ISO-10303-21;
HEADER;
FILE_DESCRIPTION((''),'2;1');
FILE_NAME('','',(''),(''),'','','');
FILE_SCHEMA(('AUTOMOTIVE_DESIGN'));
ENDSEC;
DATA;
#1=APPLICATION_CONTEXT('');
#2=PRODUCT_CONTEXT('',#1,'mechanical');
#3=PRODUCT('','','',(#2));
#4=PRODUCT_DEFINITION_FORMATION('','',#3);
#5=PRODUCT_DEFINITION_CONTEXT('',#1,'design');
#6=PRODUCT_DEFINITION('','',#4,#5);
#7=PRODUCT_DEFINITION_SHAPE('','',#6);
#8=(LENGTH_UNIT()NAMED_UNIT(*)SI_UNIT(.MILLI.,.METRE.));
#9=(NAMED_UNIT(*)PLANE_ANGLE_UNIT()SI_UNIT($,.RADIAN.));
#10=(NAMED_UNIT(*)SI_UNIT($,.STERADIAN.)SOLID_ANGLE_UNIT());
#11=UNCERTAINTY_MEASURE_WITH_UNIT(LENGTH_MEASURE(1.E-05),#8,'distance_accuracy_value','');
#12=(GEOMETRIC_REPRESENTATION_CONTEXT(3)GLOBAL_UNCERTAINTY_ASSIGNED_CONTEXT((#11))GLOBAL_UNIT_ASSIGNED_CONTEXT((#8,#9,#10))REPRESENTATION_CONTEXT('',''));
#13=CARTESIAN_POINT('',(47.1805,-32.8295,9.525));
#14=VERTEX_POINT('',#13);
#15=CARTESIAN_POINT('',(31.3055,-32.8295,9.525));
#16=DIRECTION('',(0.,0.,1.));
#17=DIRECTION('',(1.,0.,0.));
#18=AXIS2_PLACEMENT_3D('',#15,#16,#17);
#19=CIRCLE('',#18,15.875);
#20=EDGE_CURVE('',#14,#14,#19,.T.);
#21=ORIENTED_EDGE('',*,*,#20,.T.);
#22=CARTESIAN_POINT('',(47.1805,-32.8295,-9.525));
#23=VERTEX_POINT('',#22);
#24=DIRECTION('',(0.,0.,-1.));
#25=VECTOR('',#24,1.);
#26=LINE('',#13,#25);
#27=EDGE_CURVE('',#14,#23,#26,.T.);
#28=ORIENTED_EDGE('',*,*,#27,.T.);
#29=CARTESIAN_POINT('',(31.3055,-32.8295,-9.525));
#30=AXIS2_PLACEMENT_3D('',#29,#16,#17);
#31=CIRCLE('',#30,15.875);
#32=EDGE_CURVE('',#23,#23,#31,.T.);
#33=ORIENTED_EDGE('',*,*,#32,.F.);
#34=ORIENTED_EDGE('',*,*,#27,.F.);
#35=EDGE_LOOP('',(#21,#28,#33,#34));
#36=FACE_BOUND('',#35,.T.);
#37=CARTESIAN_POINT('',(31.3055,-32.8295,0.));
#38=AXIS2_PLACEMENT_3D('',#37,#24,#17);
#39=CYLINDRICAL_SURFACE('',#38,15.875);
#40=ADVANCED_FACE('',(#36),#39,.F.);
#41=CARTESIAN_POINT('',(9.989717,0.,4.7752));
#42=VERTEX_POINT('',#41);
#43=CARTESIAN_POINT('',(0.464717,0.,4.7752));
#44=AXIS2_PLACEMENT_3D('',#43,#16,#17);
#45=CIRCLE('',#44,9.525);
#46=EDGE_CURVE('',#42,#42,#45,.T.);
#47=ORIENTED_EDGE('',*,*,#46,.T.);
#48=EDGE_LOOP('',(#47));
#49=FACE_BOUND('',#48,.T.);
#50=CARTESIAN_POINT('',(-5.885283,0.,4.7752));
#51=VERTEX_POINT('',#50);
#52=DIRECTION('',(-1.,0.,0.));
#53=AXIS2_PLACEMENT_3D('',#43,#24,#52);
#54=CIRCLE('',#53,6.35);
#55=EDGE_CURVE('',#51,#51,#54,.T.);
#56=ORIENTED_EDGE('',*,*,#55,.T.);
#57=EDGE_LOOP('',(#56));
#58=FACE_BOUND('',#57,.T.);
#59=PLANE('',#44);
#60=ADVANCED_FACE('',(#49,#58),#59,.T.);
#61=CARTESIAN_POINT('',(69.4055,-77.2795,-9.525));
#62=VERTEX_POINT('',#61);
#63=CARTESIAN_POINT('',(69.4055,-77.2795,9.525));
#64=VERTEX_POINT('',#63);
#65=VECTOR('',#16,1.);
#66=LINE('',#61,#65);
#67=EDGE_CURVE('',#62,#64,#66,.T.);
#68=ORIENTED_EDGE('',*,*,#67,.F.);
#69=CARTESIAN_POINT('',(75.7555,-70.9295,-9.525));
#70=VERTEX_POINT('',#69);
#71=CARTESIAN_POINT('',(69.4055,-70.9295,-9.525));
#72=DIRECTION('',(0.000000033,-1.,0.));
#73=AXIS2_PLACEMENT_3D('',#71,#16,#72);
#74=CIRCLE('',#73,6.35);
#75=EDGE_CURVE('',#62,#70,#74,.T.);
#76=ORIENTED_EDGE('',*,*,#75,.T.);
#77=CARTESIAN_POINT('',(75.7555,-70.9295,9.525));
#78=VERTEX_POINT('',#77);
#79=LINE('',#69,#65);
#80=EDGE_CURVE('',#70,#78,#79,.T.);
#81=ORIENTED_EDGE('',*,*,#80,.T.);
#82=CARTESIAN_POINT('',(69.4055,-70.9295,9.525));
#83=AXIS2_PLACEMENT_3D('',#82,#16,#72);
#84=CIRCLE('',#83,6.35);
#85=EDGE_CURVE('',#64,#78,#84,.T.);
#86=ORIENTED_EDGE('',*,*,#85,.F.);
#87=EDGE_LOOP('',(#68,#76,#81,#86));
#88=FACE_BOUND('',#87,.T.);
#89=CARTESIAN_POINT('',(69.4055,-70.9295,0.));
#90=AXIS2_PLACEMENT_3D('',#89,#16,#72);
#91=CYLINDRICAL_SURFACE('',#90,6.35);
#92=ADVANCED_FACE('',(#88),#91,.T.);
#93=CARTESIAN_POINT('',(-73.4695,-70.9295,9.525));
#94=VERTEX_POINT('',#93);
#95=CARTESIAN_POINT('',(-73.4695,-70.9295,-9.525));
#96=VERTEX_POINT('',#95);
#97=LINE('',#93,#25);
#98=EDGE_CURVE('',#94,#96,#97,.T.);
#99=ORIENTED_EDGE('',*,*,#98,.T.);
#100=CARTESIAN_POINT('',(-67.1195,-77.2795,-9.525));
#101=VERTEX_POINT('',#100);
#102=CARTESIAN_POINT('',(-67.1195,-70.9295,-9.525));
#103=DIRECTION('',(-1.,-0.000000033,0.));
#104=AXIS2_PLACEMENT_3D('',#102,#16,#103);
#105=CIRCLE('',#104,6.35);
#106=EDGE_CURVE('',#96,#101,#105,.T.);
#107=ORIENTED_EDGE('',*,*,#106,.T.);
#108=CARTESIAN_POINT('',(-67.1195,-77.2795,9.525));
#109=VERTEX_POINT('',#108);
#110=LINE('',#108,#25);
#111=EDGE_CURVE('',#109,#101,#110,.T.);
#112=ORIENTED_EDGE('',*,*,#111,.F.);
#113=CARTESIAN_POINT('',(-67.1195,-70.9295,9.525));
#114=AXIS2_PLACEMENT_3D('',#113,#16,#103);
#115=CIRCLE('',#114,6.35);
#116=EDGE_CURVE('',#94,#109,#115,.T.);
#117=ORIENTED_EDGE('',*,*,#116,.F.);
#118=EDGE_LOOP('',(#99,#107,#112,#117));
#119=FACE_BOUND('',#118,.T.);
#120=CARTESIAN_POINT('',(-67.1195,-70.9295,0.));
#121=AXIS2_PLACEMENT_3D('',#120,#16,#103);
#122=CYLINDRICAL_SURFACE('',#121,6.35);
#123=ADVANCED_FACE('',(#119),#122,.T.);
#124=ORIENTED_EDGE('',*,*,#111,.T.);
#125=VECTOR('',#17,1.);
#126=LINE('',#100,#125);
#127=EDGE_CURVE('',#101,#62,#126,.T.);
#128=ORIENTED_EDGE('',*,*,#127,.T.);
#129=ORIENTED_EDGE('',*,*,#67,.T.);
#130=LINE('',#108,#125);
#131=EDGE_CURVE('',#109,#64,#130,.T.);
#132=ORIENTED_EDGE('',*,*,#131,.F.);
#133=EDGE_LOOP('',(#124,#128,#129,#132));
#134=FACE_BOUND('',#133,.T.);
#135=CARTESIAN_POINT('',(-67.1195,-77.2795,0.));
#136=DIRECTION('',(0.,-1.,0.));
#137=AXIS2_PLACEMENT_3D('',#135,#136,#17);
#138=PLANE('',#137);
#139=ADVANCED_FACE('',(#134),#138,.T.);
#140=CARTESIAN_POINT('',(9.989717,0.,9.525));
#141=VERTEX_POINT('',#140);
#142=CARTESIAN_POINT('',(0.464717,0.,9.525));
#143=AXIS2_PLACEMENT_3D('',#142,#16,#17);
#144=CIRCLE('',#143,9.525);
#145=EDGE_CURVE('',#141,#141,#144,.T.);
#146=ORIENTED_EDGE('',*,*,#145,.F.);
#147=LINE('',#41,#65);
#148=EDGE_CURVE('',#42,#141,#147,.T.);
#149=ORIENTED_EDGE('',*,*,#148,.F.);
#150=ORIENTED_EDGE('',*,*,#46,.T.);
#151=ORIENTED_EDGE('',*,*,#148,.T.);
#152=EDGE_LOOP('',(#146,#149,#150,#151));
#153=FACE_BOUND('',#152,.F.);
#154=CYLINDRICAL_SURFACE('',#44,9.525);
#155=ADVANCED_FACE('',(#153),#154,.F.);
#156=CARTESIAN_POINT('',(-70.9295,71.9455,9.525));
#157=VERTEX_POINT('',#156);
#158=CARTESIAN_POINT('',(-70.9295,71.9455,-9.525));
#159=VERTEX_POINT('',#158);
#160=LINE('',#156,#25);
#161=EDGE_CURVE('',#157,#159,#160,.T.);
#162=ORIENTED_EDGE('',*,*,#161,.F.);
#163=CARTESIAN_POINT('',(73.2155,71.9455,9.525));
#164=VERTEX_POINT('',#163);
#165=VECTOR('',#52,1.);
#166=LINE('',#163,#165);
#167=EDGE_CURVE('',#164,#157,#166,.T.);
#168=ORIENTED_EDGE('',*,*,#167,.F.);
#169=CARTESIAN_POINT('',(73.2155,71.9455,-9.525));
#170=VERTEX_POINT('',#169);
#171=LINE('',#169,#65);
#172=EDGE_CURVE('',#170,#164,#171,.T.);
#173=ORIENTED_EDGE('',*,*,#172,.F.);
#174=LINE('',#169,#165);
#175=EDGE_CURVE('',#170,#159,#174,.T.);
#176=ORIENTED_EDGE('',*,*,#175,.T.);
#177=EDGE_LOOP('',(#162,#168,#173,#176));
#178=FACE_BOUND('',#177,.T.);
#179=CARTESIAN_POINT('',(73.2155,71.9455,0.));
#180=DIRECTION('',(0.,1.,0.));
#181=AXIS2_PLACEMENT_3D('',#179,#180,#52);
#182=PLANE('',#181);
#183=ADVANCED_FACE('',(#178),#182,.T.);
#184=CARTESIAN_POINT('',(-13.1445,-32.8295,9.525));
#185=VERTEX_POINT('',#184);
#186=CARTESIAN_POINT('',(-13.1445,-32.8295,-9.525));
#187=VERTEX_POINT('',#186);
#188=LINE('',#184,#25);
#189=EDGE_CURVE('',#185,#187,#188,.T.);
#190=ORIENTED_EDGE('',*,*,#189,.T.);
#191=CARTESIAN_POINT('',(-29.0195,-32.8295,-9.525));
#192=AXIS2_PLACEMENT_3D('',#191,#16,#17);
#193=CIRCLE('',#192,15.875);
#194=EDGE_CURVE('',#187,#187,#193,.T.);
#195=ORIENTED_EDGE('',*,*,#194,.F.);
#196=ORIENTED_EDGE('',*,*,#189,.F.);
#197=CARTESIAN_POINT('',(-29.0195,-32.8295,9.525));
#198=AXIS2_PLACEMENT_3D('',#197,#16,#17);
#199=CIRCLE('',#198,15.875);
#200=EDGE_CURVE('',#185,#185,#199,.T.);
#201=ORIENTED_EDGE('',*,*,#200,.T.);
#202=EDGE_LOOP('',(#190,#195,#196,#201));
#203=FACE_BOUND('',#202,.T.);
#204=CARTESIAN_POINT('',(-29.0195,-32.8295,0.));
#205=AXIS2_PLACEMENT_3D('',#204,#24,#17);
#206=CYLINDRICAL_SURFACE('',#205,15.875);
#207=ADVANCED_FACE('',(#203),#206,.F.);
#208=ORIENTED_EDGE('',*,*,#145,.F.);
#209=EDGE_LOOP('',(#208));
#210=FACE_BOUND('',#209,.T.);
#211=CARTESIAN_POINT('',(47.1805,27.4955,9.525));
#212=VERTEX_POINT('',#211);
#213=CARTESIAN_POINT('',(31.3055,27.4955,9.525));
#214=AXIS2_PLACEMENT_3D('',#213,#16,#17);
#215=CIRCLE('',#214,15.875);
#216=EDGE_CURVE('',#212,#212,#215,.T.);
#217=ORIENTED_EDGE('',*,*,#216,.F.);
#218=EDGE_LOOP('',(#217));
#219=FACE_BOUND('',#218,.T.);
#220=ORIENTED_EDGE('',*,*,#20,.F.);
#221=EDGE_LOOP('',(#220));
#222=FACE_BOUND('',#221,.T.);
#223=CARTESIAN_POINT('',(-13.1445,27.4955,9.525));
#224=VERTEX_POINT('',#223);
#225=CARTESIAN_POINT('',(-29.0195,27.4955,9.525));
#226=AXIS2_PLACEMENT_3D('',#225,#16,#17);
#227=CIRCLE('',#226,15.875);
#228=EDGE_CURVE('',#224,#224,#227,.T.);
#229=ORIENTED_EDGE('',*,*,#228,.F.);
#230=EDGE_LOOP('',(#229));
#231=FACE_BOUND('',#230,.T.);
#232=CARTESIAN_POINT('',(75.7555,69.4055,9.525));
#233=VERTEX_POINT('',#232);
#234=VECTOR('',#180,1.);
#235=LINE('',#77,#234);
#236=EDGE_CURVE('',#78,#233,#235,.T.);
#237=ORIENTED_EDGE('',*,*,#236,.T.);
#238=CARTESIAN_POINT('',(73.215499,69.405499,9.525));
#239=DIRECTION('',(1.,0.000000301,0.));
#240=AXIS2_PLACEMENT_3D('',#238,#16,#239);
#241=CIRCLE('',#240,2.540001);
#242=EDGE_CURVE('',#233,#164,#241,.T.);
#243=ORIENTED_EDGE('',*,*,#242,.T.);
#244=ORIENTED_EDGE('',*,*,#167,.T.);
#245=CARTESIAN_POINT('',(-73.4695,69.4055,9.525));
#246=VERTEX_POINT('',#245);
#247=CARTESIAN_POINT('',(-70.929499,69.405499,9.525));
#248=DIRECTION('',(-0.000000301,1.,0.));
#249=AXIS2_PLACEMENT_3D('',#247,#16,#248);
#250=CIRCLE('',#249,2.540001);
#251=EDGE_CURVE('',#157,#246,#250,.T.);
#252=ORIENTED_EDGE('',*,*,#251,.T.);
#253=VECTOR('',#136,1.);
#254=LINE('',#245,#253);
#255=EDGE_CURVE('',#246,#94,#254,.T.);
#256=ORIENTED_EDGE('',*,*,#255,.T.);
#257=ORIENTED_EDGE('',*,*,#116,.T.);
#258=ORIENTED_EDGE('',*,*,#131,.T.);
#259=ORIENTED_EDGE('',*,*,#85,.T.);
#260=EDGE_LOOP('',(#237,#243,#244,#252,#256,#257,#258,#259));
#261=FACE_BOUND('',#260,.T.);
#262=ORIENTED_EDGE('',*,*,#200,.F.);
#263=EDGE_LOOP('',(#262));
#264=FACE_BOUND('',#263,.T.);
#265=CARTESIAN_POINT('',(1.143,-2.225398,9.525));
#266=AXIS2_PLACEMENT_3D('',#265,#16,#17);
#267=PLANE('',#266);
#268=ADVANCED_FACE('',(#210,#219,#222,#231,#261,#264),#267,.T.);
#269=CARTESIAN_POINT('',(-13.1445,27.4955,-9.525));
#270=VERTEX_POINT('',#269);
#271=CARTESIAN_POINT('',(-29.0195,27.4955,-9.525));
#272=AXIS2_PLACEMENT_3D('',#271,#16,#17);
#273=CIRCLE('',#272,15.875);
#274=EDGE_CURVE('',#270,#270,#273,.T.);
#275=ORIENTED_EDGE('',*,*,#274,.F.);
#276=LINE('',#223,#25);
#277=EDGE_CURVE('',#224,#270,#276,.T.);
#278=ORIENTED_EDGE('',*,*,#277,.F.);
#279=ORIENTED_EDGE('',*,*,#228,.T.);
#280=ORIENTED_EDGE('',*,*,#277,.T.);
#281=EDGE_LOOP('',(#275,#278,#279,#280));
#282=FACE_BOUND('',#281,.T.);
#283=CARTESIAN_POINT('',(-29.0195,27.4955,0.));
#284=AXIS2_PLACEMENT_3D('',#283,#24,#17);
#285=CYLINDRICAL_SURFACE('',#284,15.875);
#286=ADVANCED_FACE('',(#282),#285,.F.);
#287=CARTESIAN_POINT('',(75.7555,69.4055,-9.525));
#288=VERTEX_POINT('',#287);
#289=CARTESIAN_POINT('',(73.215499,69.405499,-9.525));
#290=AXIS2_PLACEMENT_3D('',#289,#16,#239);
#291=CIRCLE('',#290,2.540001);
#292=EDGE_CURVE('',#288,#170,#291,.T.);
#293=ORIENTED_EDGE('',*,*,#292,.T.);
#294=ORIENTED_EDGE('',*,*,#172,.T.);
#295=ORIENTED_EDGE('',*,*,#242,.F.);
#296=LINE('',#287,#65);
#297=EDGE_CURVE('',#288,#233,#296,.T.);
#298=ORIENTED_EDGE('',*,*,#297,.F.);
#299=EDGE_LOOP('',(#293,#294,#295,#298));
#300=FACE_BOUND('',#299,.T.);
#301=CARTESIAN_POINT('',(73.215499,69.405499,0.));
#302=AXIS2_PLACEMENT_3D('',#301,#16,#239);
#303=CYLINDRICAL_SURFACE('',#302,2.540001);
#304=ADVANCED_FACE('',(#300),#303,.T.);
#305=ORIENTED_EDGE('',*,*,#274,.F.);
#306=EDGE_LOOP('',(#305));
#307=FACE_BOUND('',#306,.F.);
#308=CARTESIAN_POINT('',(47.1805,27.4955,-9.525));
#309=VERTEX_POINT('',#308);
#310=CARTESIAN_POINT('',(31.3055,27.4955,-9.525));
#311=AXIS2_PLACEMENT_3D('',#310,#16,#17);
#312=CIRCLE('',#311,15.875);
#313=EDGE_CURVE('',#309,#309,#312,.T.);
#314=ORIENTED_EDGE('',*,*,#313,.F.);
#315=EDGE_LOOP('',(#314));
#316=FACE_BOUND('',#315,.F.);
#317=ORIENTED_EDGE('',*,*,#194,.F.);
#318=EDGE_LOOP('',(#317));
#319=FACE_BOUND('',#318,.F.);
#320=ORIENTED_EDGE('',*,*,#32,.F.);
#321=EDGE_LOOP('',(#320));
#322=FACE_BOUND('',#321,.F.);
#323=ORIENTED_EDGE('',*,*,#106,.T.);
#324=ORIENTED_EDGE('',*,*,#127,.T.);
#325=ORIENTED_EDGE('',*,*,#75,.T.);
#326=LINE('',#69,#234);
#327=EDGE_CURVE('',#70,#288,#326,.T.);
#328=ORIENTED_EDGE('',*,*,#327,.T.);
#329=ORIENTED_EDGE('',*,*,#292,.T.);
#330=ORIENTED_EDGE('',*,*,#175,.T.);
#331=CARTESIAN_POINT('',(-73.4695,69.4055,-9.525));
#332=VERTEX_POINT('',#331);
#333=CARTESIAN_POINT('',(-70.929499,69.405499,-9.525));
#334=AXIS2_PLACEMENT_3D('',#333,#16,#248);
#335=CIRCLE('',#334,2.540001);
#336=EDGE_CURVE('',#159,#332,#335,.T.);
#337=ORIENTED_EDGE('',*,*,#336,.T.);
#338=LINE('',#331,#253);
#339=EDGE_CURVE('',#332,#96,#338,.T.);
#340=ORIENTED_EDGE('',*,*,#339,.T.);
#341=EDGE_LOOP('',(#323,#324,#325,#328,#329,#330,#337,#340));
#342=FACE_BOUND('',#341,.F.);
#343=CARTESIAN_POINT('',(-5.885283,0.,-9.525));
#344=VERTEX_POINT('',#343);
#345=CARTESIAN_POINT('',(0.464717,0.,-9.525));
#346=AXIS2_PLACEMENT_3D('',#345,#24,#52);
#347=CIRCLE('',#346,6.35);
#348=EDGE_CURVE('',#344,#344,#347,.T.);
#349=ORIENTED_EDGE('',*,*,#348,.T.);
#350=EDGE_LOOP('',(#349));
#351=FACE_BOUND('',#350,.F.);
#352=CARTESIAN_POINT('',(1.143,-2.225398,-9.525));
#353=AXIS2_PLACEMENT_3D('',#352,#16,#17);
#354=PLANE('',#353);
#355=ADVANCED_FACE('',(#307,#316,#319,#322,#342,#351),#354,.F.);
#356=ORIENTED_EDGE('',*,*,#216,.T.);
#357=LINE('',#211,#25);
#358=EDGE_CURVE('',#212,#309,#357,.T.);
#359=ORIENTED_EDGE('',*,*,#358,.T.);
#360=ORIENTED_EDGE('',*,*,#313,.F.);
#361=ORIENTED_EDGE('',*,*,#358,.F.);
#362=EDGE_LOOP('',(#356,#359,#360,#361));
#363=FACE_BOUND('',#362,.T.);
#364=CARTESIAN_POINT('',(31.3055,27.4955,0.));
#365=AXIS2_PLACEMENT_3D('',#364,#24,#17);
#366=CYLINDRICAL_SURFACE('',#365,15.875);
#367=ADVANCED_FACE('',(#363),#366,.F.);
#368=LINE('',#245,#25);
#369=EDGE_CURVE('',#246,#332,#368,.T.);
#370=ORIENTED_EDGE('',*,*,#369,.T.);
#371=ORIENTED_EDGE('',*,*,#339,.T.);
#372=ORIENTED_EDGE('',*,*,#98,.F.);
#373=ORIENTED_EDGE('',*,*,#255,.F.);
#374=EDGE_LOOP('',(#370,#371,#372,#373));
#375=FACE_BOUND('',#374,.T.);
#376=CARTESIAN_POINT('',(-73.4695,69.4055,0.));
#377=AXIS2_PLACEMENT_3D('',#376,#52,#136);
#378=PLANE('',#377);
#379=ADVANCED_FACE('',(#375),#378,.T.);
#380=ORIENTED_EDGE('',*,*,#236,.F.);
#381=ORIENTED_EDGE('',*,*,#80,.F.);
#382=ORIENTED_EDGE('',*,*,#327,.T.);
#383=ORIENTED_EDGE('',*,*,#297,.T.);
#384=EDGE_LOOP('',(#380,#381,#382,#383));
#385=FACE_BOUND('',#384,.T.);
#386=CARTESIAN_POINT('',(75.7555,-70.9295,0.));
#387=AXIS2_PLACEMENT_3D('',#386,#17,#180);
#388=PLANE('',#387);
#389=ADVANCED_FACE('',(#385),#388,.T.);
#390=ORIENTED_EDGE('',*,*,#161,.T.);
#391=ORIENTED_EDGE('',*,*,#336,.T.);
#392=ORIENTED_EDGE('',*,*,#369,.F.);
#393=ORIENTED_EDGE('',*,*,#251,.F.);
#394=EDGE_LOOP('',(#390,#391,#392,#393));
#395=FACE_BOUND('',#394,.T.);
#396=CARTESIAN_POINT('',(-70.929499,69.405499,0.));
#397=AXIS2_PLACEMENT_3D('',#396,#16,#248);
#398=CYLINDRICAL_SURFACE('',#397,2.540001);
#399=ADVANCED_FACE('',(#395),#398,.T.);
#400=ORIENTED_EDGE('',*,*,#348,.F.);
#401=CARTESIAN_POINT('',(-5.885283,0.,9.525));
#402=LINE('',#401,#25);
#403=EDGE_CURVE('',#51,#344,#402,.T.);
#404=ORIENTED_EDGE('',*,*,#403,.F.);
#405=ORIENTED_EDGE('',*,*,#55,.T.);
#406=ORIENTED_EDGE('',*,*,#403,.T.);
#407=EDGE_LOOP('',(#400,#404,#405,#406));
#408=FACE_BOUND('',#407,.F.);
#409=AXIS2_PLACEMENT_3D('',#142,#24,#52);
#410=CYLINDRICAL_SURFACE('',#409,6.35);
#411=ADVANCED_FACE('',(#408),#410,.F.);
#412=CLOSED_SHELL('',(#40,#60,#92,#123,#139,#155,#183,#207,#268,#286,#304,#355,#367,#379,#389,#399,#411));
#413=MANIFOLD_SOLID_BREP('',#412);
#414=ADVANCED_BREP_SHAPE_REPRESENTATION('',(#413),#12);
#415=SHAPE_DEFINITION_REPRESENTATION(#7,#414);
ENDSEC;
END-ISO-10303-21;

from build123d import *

# Parameters (mm, degrees)
F0_R           = 15.875
F1_DEPTH       = 9.525
F3_D           = 12.7
F3_CBORE_D     = 19.05
F3_CBORE_DEPTH = 4.7498


with BuildPart() as f1:
    # F0 (on Top) → F1 (new body, symmetric)
    with BuildSketch(Plane.XY):
        with BuildLine():
            Line((-67.1195, -77.2795), (69.4055, -77.2795))
            ThreePointArc((69.4055, -77.2795), (73.895628, -75.419628), (75.7555, -70.9295))
            Line((75.7555, -70.9295), (75.7555, 69.4055))
            ThreePointArc((75.7555, 69.4055), (75.011551, 71.201551), (73.2155, 71.9455))
            Line((73.2155, 71.9455), (-70.9295, 71.9455))
            ThreePointArc((-70.9295, 71.9455), (-72.725551, 71.201551), (-73.4695, 69.4055))
            Line((-73.4695, 69.4055), (-73.4695, -70.9295))
            ThreePointArc((-73.4695, -70.9295), (-71.609628, -75.419628), (-67.1195, -77.2795))
        make_face()
        with Locations((-29.0195, -32.8295)):
            Circle(F0_R, mode=Mode.SUBTRACT)
        with Locations((31.3055, -32.8295)):
            Circle(F0_R, mode=Mode.SUBTRACT)
        with Locations((-29.0195, 27.4955)):
            Circle(F0_R, mode=Mode.SUBTRACT)
        with Locations((31.3055, 27.4955)):
            Circle(F0_R, mode=Mode.SUBTRACT)
    extrude(amount=F1_DEPTH, both=True)

    # F3 (through all)
    with Locations(Plane.XY.offset(9.525)):
        with Locations((0.464717, 0)):
            CounterBoreHole(F3_D / 2, F3_CBORE_D / 2, F3_CBORE_DEPTH)


solid = f1.part
